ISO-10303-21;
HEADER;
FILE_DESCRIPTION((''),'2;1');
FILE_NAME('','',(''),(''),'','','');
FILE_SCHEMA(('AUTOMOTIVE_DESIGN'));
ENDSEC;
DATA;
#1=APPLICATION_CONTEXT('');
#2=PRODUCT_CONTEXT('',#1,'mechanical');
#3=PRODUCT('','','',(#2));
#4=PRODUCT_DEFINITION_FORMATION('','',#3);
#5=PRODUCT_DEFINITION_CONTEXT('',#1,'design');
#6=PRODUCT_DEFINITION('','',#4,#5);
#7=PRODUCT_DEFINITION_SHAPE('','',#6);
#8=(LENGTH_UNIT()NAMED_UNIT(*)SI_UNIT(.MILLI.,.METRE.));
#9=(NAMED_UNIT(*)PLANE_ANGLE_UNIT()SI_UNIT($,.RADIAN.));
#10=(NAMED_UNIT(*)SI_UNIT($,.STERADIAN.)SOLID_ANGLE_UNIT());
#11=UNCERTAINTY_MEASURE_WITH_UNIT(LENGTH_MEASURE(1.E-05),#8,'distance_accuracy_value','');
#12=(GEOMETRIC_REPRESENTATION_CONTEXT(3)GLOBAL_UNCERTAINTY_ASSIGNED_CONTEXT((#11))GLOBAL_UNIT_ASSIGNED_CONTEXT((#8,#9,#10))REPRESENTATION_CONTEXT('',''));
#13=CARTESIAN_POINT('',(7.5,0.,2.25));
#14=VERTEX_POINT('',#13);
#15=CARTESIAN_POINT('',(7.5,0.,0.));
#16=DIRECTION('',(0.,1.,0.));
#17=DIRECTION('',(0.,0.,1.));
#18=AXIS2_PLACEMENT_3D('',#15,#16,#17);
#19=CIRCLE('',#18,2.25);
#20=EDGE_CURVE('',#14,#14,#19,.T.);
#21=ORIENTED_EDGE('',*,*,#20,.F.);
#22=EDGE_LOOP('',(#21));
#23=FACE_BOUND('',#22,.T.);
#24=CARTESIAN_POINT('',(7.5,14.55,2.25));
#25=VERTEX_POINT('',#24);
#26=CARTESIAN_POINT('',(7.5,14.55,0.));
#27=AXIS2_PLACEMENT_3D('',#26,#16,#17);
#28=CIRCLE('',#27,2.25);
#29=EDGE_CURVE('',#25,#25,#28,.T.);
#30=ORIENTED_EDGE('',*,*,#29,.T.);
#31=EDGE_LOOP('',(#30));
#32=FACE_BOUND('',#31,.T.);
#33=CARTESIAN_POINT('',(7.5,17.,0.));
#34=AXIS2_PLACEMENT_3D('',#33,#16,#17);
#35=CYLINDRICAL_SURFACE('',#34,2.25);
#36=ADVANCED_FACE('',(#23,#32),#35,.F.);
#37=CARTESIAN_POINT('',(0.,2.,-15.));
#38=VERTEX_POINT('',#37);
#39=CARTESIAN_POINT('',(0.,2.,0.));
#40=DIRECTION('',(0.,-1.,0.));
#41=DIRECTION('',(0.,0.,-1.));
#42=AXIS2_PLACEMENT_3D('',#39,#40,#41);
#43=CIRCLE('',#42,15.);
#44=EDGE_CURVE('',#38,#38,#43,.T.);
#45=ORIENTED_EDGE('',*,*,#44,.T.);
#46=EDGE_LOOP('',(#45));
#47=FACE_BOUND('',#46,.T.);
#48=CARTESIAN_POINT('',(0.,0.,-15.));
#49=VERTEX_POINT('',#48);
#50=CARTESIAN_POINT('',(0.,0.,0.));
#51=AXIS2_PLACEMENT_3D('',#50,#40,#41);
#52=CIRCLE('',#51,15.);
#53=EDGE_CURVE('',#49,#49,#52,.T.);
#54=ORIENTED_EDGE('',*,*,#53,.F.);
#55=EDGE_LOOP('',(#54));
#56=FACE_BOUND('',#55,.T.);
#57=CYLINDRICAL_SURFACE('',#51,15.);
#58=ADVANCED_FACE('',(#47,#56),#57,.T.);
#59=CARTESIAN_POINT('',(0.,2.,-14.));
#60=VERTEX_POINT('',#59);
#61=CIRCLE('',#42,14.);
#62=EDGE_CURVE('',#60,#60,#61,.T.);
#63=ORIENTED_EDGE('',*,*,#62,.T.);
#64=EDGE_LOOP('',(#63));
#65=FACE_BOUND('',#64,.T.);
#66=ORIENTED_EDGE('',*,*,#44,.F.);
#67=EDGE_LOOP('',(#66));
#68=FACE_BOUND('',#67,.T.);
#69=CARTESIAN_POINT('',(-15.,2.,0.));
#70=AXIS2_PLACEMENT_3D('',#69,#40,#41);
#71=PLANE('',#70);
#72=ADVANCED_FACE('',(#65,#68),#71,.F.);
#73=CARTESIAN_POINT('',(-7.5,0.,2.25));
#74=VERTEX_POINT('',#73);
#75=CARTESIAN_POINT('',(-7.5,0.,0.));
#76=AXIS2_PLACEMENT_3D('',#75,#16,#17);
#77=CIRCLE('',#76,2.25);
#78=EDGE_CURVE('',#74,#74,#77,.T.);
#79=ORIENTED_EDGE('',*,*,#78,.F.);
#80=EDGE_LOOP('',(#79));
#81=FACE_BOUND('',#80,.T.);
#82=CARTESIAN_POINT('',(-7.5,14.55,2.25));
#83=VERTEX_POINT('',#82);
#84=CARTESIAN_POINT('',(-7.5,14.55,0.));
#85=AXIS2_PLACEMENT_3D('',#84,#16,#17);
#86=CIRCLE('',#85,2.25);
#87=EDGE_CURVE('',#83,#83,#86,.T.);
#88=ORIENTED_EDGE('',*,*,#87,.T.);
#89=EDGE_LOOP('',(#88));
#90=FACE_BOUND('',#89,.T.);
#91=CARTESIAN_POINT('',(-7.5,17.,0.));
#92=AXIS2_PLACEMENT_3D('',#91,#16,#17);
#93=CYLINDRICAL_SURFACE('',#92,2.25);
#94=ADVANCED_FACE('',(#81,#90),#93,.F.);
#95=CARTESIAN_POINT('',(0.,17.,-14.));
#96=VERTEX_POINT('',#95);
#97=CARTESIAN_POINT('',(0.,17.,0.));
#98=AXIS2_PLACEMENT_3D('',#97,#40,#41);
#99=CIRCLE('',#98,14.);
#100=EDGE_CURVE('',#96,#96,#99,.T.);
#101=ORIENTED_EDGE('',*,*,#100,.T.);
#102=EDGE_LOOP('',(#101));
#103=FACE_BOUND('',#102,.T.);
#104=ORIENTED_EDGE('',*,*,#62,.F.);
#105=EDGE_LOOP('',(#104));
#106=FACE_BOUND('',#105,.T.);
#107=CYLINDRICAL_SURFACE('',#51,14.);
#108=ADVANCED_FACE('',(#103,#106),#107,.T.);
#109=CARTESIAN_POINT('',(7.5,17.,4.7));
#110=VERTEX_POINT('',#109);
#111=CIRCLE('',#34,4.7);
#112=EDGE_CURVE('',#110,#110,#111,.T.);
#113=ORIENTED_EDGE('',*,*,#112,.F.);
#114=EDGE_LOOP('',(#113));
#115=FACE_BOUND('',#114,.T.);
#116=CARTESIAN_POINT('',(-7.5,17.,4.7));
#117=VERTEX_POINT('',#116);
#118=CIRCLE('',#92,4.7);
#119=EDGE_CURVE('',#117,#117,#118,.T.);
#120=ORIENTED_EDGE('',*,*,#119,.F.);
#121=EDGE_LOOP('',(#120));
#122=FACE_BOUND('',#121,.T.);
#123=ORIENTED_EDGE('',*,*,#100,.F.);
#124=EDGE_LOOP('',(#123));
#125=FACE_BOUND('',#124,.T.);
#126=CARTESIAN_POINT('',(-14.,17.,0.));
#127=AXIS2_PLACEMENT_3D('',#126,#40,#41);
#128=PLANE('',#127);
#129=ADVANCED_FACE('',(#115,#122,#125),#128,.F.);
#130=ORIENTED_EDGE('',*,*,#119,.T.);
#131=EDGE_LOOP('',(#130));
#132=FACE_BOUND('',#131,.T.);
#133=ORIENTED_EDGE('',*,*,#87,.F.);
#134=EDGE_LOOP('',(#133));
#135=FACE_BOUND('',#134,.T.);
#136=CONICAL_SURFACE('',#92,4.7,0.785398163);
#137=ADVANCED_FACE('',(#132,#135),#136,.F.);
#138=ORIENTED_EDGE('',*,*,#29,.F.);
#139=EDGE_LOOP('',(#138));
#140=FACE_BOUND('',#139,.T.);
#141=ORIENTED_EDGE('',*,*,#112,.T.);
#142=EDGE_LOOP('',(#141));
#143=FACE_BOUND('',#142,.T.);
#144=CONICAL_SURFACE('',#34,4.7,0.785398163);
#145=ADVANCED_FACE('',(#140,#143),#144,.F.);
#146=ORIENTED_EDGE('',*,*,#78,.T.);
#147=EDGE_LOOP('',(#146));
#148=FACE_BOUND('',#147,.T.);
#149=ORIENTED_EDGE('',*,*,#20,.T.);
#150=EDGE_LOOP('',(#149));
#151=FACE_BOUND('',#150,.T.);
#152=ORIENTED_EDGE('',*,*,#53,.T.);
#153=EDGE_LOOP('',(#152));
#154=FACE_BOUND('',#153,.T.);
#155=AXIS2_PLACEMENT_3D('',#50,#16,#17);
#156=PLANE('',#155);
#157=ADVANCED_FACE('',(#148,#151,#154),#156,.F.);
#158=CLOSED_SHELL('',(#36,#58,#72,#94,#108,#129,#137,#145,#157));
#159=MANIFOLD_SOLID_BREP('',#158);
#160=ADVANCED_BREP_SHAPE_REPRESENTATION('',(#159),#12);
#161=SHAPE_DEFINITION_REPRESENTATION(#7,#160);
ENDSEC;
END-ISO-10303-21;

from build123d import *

# Parameters (mm, degrees)
HOLE_WIZARD_M4_1_D           = 4.5
HOLE_WIZARD_M4_1_DEPTH       = 17
HOLE_WIZARD_M4_1_CSINK_D     = 9.4
HOLE_WIZARD_M4_1_CSINK_ANGLE = 90


with BuildPart() as part:
    # 스케치1 → 회전1 (revolve)
    with BuildSketch(Plane.XY):
        Polygon((0, 0), (-15, 0), (-15, 2), (-14, 2), (-14, 17), (0, 17), align=None)
    revolve(axis=Axis((0, 0, 0), (0, 1, 0)))

    # M4 접시 머리 나사용 카운터싱크1
    with Locations(Plane(origin=(0, 17, 0), x_dir=(1, 0, 0), z_dir=(0, 1, 0))):
        with Locations((-7.5, 0), (7.5, 0)):
            CounterSinkHole(HOLE_WIZARD_M4_1_D / 2, HOLE_WIZARD_M4_1_CSINK_D / 2, depth=HOLE_WIZARD_M4_1_DEPTH, counter_sink_angle=HOLE_WIZARD_M4_1_CSINK_ANGLE)


solid = part.part
